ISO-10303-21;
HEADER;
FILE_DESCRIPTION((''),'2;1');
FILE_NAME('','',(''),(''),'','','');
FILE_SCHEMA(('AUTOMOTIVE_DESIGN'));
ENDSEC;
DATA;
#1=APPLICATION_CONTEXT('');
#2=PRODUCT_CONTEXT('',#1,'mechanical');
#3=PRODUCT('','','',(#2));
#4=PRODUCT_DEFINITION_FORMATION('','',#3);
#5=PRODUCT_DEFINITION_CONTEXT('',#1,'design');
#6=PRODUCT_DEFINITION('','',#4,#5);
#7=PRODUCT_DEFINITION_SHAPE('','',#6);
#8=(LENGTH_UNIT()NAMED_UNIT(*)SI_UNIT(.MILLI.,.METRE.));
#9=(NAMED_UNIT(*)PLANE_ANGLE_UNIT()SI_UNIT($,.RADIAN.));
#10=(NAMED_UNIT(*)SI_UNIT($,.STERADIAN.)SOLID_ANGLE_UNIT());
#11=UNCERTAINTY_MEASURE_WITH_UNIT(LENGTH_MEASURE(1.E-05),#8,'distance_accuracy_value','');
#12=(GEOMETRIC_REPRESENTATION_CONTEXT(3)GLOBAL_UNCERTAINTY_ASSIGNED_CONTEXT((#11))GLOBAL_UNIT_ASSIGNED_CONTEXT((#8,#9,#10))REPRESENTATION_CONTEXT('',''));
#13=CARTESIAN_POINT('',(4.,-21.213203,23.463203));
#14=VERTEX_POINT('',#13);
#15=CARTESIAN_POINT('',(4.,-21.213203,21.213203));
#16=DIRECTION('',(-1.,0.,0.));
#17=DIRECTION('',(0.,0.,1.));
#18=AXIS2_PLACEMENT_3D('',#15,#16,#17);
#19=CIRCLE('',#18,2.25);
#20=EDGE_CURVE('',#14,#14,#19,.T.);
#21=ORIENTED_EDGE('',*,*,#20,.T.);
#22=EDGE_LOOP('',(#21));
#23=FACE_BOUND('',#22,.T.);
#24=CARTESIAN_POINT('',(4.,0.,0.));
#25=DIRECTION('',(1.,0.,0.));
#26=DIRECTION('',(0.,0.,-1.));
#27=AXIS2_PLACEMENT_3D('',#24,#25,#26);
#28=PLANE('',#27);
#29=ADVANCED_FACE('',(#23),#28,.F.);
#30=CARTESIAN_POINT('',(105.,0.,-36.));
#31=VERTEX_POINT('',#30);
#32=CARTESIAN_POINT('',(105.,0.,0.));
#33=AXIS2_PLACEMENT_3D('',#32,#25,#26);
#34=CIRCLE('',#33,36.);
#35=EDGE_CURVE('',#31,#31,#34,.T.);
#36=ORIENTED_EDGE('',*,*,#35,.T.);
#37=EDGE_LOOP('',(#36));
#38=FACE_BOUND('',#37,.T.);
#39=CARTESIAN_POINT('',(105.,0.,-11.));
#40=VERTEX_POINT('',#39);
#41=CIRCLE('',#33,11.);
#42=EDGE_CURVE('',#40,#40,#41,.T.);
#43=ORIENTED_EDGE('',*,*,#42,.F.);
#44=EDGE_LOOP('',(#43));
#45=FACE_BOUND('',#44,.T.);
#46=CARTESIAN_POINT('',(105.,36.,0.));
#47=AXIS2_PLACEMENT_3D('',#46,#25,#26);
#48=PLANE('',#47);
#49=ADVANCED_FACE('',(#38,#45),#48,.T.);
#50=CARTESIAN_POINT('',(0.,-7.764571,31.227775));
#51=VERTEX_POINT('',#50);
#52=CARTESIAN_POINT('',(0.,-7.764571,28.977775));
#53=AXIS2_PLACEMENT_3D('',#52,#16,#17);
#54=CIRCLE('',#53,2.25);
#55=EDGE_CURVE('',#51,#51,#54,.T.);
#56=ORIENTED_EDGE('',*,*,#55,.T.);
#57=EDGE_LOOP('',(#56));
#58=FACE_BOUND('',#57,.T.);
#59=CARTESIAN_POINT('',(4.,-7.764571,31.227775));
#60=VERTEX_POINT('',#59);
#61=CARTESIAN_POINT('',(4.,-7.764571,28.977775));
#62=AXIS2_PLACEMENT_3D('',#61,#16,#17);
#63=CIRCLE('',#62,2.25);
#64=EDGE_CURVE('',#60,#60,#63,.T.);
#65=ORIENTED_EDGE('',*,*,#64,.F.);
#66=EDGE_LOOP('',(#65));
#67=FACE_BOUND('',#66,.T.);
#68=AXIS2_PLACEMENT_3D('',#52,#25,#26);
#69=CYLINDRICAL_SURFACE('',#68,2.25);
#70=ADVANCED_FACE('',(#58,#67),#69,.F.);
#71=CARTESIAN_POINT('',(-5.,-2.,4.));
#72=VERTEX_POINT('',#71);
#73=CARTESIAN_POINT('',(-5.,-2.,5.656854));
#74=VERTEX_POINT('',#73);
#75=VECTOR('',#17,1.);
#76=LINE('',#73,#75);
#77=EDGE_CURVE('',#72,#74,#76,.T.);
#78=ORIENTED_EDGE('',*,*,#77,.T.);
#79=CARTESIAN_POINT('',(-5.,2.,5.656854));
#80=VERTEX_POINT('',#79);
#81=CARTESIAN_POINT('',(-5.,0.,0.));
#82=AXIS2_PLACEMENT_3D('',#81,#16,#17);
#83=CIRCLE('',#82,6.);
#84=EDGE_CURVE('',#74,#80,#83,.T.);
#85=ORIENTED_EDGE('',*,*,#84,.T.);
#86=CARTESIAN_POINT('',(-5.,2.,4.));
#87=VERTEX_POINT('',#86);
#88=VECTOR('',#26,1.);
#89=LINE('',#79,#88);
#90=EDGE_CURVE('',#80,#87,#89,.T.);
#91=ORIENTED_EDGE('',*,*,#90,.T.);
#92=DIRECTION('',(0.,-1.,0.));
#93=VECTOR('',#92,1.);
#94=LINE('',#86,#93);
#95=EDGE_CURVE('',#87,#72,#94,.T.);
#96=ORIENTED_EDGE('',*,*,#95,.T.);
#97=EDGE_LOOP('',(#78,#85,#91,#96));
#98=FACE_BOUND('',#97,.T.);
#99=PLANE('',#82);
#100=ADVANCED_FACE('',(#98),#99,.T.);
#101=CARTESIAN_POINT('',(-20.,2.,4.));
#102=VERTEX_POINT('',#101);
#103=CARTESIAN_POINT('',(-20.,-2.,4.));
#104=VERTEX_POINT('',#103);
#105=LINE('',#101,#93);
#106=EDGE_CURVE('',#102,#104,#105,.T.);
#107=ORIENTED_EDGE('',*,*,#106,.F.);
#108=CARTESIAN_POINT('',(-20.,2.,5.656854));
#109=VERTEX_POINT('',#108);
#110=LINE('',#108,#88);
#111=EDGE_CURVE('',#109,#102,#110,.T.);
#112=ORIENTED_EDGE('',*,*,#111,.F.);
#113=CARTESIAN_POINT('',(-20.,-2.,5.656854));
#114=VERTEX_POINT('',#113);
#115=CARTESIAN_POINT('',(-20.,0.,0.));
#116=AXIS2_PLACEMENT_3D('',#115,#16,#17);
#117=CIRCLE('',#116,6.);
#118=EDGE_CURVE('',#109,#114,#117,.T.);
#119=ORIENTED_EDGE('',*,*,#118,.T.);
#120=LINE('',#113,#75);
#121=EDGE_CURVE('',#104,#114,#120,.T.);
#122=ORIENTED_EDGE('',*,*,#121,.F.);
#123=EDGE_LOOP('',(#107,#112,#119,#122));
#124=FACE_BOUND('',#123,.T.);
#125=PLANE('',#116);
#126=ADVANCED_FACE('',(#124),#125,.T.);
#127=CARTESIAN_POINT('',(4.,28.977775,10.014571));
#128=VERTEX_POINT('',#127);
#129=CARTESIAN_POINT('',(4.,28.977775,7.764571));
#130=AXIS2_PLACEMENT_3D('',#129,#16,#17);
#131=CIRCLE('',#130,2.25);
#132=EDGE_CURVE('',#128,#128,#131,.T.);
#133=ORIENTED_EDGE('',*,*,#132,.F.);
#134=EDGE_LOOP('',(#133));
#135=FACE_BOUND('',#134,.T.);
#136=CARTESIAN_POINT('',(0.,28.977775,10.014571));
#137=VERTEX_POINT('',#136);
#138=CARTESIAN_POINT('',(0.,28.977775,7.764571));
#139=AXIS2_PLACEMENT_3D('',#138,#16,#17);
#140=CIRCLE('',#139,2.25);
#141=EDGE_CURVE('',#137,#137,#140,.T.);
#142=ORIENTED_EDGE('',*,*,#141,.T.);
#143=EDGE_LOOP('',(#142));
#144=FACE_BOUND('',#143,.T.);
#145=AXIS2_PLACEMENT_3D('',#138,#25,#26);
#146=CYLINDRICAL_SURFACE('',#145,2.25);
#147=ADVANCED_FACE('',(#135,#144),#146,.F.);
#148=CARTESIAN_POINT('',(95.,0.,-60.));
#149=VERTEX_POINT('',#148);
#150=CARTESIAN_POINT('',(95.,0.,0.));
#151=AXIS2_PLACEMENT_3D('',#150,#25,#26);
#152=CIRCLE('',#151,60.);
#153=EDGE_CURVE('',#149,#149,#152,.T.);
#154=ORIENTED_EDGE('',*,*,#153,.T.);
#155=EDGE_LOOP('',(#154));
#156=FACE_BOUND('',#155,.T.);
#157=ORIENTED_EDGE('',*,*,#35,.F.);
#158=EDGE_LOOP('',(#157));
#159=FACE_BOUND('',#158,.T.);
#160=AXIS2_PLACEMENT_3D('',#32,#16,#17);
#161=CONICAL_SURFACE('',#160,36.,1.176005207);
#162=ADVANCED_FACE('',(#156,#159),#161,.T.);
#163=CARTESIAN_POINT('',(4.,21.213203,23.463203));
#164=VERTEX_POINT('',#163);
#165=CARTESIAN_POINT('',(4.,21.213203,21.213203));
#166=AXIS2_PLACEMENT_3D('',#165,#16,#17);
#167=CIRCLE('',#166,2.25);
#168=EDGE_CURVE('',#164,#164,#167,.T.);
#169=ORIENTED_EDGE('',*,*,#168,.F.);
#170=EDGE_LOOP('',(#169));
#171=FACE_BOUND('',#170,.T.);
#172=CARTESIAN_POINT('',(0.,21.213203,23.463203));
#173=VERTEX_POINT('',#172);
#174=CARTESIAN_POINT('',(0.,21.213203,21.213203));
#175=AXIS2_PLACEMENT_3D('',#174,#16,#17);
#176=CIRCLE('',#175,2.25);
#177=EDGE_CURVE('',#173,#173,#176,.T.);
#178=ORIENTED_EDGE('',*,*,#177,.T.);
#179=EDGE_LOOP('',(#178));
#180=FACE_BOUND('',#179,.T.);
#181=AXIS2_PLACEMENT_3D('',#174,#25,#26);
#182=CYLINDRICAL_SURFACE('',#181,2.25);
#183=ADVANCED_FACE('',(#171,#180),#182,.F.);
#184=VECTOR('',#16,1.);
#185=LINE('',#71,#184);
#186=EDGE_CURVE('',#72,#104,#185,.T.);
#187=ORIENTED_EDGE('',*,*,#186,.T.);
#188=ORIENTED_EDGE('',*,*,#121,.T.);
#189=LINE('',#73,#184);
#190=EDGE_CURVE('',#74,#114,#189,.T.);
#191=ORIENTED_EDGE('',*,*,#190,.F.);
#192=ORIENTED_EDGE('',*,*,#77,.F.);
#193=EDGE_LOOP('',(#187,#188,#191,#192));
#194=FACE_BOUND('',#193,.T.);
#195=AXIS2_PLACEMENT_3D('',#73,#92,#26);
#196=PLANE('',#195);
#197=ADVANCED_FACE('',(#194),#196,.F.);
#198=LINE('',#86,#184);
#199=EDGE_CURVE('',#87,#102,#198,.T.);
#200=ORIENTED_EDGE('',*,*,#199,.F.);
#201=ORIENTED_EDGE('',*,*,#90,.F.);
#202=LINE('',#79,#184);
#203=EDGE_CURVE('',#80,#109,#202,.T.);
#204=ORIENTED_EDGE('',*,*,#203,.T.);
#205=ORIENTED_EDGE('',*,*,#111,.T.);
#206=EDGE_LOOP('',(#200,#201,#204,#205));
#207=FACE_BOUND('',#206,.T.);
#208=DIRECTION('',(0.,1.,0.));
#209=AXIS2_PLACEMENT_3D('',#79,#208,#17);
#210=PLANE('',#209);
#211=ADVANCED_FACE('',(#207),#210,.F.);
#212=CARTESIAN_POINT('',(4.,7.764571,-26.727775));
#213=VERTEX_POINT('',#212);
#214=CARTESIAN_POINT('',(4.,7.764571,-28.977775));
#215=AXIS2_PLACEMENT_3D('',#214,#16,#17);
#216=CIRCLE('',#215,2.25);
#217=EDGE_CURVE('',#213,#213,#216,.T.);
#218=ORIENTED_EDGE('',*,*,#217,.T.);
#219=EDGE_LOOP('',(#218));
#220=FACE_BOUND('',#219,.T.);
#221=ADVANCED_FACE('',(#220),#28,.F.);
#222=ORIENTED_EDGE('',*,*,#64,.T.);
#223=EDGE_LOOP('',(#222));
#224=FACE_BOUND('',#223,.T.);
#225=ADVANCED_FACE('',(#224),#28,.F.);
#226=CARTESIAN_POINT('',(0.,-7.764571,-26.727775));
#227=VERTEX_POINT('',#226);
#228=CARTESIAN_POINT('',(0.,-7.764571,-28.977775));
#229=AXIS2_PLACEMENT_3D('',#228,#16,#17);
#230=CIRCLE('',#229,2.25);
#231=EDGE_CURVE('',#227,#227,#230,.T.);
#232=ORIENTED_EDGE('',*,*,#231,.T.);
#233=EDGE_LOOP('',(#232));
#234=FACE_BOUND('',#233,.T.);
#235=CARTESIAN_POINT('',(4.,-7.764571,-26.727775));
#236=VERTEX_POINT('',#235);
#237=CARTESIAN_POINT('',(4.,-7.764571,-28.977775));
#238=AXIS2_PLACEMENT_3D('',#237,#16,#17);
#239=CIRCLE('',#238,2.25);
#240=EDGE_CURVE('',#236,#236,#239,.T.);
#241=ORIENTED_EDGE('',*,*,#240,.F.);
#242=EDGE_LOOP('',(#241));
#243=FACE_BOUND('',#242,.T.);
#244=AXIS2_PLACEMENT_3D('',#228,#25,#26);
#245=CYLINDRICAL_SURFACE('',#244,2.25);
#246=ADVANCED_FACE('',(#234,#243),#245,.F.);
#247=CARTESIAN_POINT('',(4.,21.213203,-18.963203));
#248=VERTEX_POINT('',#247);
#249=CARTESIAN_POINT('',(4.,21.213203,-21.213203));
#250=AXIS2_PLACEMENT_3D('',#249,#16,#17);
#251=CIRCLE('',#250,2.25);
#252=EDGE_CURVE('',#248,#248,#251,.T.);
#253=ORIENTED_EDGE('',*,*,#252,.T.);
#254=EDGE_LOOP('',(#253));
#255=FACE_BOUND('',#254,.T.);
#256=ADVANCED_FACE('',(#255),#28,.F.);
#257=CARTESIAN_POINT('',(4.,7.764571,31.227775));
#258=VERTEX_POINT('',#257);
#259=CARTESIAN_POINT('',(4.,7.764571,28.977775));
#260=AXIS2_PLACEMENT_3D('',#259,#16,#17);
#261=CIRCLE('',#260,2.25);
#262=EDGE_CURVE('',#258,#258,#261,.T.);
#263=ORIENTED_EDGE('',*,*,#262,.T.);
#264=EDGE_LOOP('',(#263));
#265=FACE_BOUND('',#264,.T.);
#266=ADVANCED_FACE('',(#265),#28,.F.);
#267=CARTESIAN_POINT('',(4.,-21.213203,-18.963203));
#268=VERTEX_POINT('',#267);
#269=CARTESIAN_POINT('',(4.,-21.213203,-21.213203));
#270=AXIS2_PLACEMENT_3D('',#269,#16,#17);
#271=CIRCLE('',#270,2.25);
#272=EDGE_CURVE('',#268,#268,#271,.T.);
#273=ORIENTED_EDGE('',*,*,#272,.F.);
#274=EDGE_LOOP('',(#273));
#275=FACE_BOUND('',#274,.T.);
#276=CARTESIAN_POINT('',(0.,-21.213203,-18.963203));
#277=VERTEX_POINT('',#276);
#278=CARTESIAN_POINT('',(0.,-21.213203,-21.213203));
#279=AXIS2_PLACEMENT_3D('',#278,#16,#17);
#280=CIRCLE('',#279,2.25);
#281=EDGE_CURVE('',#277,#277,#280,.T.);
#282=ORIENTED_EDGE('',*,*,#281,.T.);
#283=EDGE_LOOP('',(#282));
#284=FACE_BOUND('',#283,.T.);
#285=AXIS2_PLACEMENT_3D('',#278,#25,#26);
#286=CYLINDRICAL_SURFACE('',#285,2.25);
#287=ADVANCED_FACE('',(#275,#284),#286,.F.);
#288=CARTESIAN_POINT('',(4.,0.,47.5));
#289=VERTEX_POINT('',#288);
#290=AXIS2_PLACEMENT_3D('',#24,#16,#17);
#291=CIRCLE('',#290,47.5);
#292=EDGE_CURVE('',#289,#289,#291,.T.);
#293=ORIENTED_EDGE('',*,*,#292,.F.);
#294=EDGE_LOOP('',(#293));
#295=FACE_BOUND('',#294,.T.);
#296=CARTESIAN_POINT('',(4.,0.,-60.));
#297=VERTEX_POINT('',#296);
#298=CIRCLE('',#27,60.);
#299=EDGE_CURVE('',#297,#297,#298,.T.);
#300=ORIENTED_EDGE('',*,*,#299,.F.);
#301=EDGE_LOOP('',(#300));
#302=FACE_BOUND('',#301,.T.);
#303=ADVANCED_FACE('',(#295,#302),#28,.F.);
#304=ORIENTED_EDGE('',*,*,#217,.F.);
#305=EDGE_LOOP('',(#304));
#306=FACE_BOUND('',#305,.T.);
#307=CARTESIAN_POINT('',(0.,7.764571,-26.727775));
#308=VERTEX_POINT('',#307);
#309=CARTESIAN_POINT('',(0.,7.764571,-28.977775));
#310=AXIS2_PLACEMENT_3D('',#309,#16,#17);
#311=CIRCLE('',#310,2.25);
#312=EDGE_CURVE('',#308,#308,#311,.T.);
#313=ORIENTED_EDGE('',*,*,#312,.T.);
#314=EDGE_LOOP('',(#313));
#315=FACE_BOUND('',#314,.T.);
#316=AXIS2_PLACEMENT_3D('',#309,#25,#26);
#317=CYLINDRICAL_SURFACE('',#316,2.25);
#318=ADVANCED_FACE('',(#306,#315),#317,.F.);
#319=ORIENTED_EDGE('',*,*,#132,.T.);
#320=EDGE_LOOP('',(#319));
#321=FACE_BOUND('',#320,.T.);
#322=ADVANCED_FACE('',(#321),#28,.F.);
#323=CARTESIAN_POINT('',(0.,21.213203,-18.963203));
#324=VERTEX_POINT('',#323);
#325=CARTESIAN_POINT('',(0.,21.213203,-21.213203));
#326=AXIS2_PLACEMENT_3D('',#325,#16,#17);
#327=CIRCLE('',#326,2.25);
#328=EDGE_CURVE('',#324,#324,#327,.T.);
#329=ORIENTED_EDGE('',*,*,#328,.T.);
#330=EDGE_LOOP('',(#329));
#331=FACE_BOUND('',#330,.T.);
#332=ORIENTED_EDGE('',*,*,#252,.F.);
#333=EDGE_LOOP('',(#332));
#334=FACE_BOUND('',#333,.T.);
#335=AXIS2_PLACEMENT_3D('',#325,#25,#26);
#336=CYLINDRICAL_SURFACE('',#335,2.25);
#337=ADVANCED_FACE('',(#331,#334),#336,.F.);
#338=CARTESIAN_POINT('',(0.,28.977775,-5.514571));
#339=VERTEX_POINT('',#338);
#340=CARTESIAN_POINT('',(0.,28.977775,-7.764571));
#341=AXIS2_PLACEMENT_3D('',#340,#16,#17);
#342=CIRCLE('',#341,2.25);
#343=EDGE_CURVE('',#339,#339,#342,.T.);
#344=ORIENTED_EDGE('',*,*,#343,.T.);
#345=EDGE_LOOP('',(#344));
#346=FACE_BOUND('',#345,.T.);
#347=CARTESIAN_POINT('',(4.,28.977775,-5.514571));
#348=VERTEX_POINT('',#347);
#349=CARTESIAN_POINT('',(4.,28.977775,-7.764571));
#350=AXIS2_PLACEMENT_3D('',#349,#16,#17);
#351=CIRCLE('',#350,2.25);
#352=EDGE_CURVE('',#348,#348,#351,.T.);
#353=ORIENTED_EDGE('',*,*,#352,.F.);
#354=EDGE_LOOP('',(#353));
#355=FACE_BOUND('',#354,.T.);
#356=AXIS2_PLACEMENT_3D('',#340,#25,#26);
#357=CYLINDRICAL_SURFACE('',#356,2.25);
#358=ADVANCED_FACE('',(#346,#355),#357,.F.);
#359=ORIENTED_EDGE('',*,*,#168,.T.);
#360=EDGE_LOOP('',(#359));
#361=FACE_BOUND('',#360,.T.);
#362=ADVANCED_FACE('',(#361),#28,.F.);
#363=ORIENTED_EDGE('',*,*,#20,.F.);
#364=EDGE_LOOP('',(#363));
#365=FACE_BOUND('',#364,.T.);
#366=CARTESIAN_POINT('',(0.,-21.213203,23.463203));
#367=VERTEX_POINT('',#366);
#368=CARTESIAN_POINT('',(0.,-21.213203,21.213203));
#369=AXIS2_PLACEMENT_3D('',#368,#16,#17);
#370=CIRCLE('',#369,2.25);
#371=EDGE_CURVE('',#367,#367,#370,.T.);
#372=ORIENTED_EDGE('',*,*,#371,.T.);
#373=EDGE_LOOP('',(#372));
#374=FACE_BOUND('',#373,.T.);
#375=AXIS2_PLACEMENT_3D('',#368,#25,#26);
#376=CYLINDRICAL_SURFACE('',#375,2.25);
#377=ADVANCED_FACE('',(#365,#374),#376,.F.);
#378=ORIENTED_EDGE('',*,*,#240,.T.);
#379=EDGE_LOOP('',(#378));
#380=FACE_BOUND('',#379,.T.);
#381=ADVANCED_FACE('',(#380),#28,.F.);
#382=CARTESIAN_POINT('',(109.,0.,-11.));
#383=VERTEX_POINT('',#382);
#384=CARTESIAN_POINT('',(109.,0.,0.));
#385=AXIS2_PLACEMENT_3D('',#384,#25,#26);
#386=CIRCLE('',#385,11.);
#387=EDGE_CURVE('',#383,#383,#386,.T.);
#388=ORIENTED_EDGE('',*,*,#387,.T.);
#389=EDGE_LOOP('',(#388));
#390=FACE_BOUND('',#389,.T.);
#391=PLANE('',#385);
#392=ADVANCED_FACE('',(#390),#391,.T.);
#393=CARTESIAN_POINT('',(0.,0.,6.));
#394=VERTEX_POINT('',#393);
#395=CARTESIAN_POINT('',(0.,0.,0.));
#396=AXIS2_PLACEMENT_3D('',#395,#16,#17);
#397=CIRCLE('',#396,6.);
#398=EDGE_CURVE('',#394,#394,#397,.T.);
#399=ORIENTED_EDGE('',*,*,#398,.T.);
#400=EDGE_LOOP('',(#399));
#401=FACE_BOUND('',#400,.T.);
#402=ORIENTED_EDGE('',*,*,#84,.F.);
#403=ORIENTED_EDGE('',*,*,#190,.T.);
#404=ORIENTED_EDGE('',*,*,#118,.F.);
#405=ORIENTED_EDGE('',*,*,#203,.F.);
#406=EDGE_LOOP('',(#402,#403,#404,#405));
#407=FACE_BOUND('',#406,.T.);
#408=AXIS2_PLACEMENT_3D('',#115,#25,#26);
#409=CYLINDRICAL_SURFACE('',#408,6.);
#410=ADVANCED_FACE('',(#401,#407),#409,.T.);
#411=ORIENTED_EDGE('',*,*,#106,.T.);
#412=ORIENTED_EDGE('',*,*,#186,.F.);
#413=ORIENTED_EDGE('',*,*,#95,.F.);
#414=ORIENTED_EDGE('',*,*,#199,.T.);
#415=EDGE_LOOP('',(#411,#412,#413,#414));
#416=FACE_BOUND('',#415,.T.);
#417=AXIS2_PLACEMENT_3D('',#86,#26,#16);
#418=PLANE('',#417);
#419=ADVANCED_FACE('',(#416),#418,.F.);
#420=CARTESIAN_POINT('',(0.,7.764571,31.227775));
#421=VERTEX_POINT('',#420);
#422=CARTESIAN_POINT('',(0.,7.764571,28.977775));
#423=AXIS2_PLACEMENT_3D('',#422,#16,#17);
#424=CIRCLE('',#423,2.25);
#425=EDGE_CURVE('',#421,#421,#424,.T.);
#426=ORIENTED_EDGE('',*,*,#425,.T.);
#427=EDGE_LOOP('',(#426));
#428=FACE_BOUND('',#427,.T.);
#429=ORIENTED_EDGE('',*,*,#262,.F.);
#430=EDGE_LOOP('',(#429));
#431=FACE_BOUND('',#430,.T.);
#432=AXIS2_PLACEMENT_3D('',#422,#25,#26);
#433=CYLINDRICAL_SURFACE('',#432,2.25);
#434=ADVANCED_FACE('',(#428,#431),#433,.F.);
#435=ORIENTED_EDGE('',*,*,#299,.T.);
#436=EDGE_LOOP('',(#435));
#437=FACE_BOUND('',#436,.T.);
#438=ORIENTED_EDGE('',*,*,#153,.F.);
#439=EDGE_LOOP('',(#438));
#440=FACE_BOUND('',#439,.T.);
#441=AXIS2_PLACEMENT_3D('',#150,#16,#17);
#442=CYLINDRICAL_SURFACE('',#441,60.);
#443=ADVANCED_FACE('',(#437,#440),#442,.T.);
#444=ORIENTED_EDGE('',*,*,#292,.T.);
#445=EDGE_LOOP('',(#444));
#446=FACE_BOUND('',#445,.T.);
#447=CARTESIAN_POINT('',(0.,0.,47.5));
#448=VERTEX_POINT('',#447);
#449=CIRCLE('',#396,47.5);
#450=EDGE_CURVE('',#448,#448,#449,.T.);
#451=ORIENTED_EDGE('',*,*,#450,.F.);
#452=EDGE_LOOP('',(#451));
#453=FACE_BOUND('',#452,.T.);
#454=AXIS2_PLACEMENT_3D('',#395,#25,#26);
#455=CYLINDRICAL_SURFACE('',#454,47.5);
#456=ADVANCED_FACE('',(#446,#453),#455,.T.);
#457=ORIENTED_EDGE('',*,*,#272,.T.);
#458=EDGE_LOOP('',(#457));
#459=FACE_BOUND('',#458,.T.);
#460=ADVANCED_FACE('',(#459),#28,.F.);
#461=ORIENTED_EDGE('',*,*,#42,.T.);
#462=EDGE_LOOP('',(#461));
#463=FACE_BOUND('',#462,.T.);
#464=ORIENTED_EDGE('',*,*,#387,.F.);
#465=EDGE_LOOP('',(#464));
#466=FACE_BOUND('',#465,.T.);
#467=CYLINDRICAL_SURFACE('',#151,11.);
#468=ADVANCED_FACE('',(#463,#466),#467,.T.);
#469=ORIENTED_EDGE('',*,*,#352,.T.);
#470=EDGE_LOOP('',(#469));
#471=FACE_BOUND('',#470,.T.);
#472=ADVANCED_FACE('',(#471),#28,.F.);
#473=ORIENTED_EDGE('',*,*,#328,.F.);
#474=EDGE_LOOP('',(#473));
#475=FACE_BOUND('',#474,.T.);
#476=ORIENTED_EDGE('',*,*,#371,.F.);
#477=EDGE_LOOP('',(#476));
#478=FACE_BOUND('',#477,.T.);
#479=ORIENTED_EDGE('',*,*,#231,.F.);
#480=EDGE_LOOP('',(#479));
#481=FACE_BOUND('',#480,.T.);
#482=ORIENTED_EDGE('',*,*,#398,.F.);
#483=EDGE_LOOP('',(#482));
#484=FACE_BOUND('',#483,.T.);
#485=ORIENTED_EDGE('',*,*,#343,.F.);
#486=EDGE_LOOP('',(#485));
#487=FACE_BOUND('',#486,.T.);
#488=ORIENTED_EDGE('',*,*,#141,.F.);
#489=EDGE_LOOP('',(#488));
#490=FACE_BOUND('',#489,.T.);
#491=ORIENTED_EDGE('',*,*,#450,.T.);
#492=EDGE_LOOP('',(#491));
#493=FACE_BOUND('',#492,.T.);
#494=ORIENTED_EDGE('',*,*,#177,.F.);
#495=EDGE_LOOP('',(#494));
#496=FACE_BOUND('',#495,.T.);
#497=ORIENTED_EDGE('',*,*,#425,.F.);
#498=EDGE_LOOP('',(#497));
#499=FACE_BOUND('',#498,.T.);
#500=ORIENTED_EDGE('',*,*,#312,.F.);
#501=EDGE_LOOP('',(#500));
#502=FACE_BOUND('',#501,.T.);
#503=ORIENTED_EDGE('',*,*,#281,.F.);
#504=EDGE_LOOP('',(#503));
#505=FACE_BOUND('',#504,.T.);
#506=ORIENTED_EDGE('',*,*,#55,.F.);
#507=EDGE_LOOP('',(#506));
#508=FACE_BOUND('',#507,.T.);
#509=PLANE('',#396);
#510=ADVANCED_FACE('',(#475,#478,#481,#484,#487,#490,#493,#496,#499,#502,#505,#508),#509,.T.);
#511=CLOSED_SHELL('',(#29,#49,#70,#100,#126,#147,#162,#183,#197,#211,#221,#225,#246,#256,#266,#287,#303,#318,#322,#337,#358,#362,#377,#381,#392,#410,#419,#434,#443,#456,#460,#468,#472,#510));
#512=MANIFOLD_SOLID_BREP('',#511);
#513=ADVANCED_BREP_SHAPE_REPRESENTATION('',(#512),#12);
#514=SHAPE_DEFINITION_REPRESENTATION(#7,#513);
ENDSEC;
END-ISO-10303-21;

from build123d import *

# Parameters (mm, degrees)
BOSS_EXTRUDE1_START = 4
SKETCH1_R           = 60
BOSS_EXTRUDE1_DEPTH = 91
SKETCH3_R           = 47.5
SKETCH3_R_2         = 2.25
BOSS_EXTRUDE2_DEPTH = 4
SKETCH4_R           = 6
BOSS_EXTRUDE3_DEPTH = 20
CUT_EXTRUDE1_START  = -15
CUT_EXTRUDE1_DEPTH  = 15


with BuildPart() as part:
    # Sketch1 → Boss-Extrude1 (new body)
    with BuildSketch(Plane(origin=(0, 0, 0), x_dir=(0, 0, -1), z_dir=(1, 0, 0)).offset(BOSS_EXTRUDE1_START)):
        Circle(SKETCH1_R)
    extrude(amount=BOSS_EXTRUDE1_DEPTH)

    # Sketch2 → Revolve1 (revolve)
    with BuildSketch(Plane.XY):
        Polygon((95, 60), (105, 36), (105, 11), (109, 11), (109, 0), (105, 0), (95, 0), align=None)
    revolve(axis=Axis((95, 0, 0), (-1, 0, 0)))

    # Sketch3 → Boss-Extrude2 (add)
    with BuildSketch(Plane.ZY.offset(-4)):
        Circle(SKETCH3_R)
        with Locations((21.213203436, -21.213203436)):
            Circle(SKETCH3_R_2, mode=Mode.SUBTRACT)
        with Locations((-21.213203436, -21.213203436)):
            Circle(SKETCH3_R_2, mode=Mode.SUBTRACT)
        with Locations((-28.977774789, -7.764571353)):
            Circle(SKETCH3_R_2, mode=Mode.SUBTRACT)
        with Locations((-28.977774789, 7.764571353)):
            Circle(SKETCH3_R_2, mode=Mode.SUBTRACT)
        with Locations((-21.213203436, 21.213203436)):
            Circle(SKETCH3_R_2, mode=Mode.SUBTRACT)
        with Locations((-7.764571353, 28.977774789)):
            Circle(SKETCH3_R_2, mode=Mode.SUBTRACT)
        with Locations((7.764571353, 28.977774789)):
            Circle(SKETCH3_R_2, mode=Mode.SUBTRACT)
        with Locations((21.213203436, 21.213203436)):
            Circle(SKETCH3_R_2, mode=Mode.SUBTRACT)
        with Locations((28.977774789, 7.764571353)):
            Circle(SKETCH3_R_2, mode=Mode.SUBTRACT)
        with Locations((28.977774789, -7.764571353)):
            Circle(SKETCH3_R_2, mode=Mode.SUBTRACT)
    extrude(amount=BOSS_EXTRUDE2_DEPTH)

    # Sketch4 → Boss-Extrude3 (add)
    with BuildSketch(Plane.ZY):
        Circle(SKETCH4_R)
    extrude(amount=BOSS_EXTRUDE3_DEPTH)

    # Sketch5 → Cut-Extrude1 (cut)
    with BuildSketch(Plane.ZY.offset(20).offset(CUT_EXTRUDE1_START)):
        with BuildLine():
            Line((5.656854249, 2), (4, 2))
            Line((4, 2), (4, -2))
            Line((4, -2), (5.656854249, -2))
            ThreePointArc((5.656854249, -2), (6, 0), (5.656854249, 2))
        make_face()
    extrude(amount=CUT_EXTRUDE1_DEPTH, mode=Mode.SUBTRACT)


solid = part.part
